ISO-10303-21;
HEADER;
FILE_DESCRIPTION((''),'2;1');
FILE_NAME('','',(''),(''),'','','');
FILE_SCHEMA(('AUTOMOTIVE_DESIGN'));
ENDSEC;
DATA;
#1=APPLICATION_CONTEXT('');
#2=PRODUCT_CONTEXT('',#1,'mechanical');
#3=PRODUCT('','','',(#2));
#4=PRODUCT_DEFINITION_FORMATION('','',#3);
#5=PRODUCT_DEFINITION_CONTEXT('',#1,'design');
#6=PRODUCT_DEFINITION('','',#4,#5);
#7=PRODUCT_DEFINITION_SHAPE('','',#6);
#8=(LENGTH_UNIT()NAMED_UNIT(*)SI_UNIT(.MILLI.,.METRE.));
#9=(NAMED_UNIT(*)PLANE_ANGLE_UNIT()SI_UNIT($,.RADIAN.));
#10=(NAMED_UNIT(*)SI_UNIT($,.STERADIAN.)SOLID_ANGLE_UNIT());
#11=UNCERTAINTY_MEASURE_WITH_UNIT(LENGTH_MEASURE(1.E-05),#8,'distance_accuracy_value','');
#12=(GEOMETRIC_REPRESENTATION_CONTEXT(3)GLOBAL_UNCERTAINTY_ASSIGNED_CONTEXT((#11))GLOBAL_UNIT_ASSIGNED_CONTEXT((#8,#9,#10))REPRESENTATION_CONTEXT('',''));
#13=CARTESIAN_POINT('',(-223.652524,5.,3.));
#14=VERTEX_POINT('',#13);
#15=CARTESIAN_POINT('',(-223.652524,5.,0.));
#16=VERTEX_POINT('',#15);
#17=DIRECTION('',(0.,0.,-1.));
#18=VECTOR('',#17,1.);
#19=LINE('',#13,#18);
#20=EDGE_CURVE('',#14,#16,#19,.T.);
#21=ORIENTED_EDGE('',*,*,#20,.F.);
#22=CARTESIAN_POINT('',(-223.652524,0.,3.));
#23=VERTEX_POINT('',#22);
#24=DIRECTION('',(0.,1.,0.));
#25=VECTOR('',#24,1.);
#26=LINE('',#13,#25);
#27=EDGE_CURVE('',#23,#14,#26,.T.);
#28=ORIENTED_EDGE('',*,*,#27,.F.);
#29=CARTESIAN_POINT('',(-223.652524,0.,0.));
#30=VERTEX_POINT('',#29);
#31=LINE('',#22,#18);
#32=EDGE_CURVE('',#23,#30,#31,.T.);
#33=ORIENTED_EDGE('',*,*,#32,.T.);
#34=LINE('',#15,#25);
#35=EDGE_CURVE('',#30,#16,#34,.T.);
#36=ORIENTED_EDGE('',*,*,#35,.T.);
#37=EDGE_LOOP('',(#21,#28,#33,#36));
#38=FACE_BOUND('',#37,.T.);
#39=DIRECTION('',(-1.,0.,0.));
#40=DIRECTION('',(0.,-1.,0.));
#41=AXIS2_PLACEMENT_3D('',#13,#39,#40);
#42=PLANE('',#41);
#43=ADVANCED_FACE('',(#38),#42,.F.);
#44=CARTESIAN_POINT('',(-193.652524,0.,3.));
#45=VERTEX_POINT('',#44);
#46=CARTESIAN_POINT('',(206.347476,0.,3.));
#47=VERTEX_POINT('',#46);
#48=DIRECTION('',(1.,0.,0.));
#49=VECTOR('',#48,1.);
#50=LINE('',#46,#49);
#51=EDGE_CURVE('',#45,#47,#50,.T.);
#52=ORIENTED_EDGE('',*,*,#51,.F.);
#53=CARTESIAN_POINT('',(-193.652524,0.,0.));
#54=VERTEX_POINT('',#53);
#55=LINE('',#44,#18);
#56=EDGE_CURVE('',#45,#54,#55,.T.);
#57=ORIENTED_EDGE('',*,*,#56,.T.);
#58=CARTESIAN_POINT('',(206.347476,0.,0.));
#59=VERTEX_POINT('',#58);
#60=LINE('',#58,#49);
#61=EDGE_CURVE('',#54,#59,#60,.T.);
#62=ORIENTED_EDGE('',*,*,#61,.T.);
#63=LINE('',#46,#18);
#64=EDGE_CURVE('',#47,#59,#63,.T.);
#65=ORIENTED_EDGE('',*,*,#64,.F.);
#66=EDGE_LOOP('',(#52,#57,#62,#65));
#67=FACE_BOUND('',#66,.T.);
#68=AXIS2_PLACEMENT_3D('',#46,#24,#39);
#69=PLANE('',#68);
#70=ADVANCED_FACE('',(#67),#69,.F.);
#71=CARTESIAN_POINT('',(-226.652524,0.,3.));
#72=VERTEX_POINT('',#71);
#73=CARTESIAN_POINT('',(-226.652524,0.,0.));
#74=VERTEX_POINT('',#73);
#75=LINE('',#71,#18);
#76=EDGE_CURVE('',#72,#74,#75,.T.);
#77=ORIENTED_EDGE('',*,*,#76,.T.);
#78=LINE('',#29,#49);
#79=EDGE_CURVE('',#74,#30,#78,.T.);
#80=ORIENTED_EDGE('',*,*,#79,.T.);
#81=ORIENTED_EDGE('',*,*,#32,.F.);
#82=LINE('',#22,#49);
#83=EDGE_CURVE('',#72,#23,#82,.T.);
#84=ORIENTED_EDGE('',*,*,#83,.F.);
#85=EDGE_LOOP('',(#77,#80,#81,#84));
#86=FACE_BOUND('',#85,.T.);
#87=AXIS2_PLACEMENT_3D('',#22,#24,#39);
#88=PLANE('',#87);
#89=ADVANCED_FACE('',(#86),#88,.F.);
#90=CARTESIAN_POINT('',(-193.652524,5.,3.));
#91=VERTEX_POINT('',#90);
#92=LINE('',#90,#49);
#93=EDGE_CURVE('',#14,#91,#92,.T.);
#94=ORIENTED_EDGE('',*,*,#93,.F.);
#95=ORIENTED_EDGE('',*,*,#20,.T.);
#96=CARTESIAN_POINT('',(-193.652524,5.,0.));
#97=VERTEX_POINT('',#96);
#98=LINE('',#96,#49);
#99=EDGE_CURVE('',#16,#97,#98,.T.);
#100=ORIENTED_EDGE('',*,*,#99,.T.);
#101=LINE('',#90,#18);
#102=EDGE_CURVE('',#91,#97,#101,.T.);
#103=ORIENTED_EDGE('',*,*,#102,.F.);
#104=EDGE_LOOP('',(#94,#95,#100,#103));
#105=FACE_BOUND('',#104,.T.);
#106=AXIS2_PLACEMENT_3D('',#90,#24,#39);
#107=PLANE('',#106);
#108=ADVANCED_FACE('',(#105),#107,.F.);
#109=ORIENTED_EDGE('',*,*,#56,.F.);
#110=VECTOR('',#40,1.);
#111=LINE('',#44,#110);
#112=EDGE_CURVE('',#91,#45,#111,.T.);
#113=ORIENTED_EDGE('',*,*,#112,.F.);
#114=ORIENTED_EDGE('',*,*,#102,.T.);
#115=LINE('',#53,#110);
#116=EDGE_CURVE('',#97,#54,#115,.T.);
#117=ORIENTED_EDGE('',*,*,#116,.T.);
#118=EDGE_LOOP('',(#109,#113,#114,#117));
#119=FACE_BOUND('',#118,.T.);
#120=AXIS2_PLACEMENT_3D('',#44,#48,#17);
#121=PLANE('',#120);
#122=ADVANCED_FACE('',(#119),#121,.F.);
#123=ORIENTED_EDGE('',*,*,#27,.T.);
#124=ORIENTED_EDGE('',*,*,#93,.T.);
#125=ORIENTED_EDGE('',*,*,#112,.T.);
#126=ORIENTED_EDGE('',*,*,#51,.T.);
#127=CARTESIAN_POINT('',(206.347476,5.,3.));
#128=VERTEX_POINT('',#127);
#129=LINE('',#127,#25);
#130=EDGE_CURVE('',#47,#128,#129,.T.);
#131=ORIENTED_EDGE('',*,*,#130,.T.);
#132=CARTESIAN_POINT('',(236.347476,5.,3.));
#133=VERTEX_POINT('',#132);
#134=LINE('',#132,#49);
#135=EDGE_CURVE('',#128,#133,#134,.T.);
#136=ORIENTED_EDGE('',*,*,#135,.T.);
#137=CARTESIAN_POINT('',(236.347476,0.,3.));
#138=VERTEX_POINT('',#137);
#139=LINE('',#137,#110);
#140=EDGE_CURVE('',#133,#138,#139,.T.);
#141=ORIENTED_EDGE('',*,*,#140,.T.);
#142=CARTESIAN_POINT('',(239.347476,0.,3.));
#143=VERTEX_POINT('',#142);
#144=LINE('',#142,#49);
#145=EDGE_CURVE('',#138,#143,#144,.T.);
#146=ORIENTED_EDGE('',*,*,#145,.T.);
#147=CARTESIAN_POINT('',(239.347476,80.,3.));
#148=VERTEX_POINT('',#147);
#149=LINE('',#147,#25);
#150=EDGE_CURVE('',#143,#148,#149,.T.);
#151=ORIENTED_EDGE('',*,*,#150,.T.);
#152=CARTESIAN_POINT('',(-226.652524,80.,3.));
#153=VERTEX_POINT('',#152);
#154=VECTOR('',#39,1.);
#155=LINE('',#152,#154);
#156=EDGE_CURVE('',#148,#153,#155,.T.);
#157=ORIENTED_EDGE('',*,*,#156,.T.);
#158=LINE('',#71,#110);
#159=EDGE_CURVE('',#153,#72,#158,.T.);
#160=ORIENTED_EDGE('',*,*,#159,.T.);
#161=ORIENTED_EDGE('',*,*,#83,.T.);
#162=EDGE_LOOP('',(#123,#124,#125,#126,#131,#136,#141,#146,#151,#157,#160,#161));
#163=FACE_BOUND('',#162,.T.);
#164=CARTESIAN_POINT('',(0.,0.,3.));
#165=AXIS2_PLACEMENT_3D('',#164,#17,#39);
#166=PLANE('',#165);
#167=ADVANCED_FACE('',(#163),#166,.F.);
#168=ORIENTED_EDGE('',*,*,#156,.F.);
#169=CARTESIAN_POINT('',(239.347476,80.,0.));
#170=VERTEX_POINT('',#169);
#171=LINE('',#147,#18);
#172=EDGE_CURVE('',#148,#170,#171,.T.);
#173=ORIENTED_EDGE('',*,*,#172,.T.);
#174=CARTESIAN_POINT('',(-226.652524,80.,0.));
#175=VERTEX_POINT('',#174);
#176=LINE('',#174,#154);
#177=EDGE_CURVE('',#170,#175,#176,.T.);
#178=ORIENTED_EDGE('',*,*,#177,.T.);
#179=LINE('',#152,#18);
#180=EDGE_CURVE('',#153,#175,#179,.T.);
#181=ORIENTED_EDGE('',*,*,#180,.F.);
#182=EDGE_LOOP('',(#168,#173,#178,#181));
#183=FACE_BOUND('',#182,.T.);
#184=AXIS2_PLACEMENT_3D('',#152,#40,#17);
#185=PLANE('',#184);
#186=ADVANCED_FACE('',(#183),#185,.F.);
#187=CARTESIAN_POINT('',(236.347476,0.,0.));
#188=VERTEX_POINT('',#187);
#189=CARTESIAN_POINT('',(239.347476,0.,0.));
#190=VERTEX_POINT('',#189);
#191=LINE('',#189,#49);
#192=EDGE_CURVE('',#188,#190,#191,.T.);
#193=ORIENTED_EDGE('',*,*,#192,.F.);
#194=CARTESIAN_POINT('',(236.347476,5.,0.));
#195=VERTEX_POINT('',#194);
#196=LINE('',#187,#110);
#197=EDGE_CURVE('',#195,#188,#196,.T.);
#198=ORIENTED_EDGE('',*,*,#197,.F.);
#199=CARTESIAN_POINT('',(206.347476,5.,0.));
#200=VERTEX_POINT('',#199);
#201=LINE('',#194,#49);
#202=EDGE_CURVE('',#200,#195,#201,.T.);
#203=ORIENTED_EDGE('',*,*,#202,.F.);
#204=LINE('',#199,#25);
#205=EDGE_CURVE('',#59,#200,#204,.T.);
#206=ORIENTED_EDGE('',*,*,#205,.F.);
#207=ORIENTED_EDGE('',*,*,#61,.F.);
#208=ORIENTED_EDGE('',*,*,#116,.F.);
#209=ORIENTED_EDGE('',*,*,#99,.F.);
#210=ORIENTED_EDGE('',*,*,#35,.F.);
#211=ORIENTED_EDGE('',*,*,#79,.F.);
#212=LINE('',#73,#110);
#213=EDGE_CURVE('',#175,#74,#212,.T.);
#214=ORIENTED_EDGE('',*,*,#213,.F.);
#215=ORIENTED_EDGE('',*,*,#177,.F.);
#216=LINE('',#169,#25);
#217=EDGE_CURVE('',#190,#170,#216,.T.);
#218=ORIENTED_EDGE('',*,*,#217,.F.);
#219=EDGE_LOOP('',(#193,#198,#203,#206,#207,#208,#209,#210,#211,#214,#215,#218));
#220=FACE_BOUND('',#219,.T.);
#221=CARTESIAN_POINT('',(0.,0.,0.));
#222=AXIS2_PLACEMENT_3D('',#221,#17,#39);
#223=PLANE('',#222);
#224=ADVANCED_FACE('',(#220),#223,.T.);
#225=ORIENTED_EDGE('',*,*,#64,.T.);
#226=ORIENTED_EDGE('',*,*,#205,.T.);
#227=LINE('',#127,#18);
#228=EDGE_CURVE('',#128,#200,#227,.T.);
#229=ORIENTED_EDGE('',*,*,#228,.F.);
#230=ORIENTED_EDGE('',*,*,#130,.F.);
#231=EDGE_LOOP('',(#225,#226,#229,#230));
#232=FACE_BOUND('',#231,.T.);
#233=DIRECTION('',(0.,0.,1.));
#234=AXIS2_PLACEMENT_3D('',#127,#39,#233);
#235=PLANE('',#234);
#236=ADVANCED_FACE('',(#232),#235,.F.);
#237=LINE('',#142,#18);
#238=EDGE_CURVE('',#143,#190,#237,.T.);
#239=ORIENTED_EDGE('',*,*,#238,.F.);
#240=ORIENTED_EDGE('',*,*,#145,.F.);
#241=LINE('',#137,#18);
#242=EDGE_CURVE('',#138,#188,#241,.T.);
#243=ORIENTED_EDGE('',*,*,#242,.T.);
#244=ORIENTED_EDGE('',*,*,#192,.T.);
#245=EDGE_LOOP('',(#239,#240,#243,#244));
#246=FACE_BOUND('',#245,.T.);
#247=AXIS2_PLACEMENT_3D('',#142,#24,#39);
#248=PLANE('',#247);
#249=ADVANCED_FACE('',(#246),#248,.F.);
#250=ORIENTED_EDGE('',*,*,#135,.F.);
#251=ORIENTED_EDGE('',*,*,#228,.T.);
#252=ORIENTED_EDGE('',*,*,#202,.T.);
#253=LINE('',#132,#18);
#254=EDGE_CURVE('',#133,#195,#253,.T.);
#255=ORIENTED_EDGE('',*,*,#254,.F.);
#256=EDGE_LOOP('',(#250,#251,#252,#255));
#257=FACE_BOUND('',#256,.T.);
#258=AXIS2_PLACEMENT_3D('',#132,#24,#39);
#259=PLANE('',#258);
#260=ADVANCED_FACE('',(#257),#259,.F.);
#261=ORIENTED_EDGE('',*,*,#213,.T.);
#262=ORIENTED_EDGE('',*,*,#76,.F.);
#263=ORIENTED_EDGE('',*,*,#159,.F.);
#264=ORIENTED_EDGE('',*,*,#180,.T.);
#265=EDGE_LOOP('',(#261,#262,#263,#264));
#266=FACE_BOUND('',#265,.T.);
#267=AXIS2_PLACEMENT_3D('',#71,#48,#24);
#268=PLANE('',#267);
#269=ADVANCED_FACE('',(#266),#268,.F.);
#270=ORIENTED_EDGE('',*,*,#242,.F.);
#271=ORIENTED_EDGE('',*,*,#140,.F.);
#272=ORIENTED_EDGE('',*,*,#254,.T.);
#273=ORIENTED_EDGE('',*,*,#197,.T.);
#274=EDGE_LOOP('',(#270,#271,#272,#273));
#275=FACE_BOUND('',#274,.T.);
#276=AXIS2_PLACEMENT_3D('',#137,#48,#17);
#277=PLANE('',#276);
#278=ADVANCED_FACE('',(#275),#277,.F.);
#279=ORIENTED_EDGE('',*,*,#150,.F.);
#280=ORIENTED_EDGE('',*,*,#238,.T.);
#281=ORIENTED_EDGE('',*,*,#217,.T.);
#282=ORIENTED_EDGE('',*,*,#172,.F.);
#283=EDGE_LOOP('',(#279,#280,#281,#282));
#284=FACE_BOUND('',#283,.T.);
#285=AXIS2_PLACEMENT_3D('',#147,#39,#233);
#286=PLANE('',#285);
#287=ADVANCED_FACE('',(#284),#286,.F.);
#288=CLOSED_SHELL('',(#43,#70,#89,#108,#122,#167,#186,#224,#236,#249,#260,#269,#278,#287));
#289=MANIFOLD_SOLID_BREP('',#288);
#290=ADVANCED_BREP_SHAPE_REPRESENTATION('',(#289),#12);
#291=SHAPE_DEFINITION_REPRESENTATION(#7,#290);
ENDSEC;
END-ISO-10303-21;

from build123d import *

# Parameters (mm, degrees)
P_IDAT_VYSUNUT_M1_DEPTH = 3


with BuildPart() as part:
    # Skica1 → Přidat vysunutím1 (new body)
    with BuildSketch(Plane.XY):
        Polygon((-226.652524032, 0), (-226.652524032, 80), (239.347475968, 80), (239.347475968, 0), (236.347475968, 0), (236.347475968, 5), (206.347475968, 5), (206.347475968, 0), (-193.652524032, 0), (-193.652524032, 5), (-223.652524032, 5), (-223.652524032, 0), align=None)
    extrude(amount=P_IDAT_VYSUNUT_M1_DEPTH)


solid = part.part
